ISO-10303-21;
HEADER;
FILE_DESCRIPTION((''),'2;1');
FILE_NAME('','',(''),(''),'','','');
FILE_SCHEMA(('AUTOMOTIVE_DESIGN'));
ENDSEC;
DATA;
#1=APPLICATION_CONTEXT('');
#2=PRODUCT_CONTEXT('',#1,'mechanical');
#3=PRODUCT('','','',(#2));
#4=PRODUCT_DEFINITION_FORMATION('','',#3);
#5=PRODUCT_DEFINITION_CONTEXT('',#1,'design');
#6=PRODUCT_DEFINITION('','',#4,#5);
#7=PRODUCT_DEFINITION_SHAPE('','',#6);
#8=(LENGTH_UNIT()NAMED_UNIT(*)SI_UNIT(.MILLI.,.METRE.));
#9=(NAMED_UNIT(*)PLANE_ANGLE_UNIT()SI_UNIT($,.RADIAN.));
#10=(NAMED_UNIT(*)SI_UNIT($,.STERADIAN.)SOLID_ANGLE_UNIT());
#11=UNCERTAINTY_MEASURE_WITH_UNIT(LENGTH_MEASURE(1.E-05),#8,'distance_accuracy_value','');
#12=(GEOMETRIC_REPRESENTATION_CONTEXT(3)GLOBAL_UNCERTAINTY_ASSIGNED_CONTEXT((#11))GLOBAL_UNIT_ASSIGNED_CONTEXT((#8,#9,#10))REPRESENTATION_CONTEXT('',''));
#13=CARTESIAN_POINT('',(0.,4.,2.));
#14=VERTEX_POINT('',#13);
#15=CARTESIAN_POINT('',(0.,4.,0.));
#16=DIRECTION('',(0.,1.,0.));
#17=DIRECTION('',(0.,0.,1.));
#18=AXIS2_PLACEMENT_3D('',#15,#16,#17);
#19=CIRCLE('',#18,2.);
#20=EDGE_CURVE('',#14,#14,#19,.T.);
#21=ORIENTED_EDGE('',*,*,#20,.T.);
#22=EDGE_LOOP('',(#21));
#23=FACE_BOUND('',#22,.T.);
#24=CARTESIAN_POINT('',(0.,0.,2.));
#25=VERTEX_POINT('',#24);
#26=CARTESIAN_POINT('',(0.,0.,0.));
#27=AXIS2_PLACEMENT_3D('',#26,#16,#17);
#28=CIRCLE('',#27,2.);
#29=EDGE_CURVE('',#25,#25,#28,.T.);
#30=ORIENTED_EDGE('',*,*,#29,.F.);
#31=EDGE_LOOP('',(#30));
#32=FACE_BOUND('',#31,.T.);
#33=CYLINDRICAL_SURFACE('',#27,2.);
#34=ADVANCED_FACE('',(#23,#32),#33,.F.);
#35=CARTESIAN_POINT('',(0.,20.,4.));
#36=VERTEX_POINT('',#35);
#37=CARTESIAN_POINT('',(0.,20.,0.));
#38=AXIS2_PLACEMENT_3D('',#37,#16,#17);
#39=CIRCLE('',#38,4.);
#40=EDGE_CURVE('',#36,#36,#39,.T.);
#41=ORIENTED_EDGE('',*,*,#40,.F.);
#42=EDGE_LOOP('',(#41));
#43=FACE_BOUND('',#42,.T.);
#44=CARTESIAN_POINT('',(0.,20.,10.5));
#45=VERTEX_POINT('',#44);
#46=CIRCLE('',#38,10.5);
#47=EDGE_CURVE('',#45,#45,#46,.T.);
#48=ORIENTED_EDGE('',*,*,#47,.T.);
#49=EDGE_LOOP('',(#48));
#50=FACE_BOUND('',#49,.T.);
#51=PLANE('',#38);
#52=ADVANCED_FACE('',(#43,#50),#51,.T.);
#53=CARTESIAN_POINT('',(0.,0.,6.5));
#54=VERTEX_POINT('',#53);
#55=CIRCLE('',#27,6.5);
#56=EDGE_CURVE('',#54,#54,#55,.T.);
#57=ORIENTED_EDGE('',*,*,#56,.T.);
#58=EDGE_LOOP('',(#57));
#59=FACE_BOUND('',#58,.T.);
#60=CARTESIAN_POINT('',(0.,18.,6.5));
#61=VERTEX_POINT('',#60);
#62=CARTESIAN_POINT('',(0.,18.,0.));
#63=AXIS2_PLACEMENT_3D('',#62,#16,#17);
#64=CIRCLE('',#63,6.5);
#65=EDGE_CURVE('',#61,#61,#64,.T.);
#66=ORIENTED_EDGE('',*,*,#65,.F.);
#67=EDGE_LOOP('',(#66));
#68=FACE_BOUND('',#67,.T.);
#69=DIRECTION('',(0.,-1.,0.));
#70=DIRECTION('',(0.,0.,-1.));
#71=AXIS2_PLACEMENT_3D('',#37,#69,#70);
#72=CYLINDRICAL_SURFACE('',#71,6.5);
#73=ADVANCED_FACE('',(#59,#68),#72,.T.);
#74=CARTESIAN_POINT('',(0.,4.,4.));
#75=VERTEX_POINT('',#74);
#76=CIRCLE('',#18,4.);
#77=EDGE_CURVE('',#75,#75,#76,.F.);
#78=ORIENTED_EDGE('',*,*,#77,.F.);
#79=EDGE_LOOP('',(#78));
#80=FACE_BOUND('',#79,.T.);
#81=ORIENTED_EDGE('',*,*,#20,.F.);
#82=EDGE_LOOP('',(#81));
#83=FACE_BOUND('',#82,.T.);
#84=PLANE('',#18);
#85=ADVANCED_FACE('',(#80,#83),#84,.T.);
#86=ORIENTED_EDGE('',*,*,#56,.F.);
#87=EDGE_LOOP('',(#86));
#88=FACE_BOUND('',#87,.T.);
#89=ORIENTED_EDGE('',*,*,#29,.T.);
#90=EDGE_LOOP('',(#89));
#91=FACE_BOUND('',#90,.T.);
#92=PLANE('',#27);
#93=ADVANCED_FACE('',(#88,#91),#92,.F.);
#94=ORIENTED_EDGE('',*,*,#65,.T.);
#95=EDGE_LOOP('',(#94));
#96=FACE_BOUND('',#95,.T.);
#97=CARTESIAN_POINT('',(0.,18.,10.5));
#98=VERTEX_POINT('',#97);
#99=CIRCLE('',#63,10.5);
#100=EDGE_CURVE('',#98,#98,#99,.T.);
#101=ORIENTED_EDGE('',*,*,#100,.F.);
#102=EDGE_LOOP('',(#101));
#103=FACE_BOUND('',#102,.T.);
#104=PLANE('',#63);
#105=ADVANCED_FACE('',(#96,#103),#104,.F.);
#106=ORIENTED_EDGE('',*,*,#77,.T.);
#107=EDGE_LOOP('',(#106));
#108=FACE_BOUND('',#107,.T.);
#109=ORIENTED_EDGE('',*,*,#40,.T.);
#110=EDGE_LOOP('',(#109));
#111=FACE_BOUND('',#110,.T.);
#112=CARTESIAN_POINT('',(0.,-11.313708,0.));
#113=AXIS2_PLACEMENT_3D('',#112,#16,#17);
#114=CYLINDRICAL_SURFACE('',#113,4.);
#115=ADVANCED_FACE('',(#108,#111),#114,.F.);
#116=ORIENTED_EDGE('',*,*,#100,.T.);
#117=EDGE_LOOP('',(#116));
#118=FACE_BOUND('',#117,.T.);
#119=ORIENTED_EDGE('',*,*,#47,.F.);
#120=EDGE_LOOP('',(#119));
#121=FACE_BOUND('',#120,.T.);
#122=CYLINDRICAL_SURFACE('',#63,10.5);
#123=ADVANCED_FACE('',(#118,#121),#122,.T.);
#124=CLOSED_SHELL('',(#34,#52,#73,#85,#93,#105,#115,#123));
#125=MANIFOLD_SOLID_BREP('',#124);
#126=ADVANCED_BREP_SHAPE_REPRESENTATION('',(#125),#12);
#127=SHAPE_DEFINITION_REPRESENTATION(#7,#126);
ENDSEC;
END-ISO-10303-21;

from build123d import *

# Parameters (mm, degrees)
SKETCH1_R           = 6.5
BOSS_EXTRUDE1_DEPTH = 20
SKETCH2_R           = 4
CUT_EXTRUDE1_DEPTH  = 16
SKETCH3_R           = 2
CUT_EXTRUDE2_DEPTH  = 5
SKETCH4_R           = 10.5
SKETCH4_R_2         = 6.5
BOSS_EXTRUDE2_DEPTH = 2


with BuildPart() as part:
    # Sketch1 → Boss-Extrude1 (new body)
    with BuildSketch(Plane(origin=(0, 0, 0), x_dir=(1, 0, 0), z_dir=(0, 1, 0))):
        Circle(SKETCH1_R)
    extrude(amount=BOSS_EXTRUDE1_DEPTH)

    # Sketch2 → Cut-Extrude1 (cut)
    with BuildSketch(Plane(origin=(0, 20, 0), x_dir=(1, 0, 0), z_dir=(0, 1, 0))):
        Circle(SKETCH2_R)
    extrude(amount=-CUT_EXTRUDE1_DEPTH, mode=Mode.SUBTRACT)

    # Sketch3 → Cut-Extrude2 (cut, through all)
    with BuildSketch(Plane(origin=(0, 4, 0), x_dir=(1, 0, 0), z_dir=(0, 1, 0))):
        Circle(SKETCH3_R)
    extrude(amount=-CUT_EXTRUDE2_DEPTH, mode=Mode.SUBTRACT)

    # Sketch4 → Boss-Extrude2 (add)
    with BuildSketch(Plane(origin=(0, 20, 0), x_dir=(1, 0, 0), z_dir=(0, 1, 0))):
        Circle(SKETCH4_R)
        Circle(SKETCH4_R_2, mode=Mode.SUBTRACT)
    extrude(amount=-BOSS_EXTRUDE2_DEPTH)


solid = part.part
